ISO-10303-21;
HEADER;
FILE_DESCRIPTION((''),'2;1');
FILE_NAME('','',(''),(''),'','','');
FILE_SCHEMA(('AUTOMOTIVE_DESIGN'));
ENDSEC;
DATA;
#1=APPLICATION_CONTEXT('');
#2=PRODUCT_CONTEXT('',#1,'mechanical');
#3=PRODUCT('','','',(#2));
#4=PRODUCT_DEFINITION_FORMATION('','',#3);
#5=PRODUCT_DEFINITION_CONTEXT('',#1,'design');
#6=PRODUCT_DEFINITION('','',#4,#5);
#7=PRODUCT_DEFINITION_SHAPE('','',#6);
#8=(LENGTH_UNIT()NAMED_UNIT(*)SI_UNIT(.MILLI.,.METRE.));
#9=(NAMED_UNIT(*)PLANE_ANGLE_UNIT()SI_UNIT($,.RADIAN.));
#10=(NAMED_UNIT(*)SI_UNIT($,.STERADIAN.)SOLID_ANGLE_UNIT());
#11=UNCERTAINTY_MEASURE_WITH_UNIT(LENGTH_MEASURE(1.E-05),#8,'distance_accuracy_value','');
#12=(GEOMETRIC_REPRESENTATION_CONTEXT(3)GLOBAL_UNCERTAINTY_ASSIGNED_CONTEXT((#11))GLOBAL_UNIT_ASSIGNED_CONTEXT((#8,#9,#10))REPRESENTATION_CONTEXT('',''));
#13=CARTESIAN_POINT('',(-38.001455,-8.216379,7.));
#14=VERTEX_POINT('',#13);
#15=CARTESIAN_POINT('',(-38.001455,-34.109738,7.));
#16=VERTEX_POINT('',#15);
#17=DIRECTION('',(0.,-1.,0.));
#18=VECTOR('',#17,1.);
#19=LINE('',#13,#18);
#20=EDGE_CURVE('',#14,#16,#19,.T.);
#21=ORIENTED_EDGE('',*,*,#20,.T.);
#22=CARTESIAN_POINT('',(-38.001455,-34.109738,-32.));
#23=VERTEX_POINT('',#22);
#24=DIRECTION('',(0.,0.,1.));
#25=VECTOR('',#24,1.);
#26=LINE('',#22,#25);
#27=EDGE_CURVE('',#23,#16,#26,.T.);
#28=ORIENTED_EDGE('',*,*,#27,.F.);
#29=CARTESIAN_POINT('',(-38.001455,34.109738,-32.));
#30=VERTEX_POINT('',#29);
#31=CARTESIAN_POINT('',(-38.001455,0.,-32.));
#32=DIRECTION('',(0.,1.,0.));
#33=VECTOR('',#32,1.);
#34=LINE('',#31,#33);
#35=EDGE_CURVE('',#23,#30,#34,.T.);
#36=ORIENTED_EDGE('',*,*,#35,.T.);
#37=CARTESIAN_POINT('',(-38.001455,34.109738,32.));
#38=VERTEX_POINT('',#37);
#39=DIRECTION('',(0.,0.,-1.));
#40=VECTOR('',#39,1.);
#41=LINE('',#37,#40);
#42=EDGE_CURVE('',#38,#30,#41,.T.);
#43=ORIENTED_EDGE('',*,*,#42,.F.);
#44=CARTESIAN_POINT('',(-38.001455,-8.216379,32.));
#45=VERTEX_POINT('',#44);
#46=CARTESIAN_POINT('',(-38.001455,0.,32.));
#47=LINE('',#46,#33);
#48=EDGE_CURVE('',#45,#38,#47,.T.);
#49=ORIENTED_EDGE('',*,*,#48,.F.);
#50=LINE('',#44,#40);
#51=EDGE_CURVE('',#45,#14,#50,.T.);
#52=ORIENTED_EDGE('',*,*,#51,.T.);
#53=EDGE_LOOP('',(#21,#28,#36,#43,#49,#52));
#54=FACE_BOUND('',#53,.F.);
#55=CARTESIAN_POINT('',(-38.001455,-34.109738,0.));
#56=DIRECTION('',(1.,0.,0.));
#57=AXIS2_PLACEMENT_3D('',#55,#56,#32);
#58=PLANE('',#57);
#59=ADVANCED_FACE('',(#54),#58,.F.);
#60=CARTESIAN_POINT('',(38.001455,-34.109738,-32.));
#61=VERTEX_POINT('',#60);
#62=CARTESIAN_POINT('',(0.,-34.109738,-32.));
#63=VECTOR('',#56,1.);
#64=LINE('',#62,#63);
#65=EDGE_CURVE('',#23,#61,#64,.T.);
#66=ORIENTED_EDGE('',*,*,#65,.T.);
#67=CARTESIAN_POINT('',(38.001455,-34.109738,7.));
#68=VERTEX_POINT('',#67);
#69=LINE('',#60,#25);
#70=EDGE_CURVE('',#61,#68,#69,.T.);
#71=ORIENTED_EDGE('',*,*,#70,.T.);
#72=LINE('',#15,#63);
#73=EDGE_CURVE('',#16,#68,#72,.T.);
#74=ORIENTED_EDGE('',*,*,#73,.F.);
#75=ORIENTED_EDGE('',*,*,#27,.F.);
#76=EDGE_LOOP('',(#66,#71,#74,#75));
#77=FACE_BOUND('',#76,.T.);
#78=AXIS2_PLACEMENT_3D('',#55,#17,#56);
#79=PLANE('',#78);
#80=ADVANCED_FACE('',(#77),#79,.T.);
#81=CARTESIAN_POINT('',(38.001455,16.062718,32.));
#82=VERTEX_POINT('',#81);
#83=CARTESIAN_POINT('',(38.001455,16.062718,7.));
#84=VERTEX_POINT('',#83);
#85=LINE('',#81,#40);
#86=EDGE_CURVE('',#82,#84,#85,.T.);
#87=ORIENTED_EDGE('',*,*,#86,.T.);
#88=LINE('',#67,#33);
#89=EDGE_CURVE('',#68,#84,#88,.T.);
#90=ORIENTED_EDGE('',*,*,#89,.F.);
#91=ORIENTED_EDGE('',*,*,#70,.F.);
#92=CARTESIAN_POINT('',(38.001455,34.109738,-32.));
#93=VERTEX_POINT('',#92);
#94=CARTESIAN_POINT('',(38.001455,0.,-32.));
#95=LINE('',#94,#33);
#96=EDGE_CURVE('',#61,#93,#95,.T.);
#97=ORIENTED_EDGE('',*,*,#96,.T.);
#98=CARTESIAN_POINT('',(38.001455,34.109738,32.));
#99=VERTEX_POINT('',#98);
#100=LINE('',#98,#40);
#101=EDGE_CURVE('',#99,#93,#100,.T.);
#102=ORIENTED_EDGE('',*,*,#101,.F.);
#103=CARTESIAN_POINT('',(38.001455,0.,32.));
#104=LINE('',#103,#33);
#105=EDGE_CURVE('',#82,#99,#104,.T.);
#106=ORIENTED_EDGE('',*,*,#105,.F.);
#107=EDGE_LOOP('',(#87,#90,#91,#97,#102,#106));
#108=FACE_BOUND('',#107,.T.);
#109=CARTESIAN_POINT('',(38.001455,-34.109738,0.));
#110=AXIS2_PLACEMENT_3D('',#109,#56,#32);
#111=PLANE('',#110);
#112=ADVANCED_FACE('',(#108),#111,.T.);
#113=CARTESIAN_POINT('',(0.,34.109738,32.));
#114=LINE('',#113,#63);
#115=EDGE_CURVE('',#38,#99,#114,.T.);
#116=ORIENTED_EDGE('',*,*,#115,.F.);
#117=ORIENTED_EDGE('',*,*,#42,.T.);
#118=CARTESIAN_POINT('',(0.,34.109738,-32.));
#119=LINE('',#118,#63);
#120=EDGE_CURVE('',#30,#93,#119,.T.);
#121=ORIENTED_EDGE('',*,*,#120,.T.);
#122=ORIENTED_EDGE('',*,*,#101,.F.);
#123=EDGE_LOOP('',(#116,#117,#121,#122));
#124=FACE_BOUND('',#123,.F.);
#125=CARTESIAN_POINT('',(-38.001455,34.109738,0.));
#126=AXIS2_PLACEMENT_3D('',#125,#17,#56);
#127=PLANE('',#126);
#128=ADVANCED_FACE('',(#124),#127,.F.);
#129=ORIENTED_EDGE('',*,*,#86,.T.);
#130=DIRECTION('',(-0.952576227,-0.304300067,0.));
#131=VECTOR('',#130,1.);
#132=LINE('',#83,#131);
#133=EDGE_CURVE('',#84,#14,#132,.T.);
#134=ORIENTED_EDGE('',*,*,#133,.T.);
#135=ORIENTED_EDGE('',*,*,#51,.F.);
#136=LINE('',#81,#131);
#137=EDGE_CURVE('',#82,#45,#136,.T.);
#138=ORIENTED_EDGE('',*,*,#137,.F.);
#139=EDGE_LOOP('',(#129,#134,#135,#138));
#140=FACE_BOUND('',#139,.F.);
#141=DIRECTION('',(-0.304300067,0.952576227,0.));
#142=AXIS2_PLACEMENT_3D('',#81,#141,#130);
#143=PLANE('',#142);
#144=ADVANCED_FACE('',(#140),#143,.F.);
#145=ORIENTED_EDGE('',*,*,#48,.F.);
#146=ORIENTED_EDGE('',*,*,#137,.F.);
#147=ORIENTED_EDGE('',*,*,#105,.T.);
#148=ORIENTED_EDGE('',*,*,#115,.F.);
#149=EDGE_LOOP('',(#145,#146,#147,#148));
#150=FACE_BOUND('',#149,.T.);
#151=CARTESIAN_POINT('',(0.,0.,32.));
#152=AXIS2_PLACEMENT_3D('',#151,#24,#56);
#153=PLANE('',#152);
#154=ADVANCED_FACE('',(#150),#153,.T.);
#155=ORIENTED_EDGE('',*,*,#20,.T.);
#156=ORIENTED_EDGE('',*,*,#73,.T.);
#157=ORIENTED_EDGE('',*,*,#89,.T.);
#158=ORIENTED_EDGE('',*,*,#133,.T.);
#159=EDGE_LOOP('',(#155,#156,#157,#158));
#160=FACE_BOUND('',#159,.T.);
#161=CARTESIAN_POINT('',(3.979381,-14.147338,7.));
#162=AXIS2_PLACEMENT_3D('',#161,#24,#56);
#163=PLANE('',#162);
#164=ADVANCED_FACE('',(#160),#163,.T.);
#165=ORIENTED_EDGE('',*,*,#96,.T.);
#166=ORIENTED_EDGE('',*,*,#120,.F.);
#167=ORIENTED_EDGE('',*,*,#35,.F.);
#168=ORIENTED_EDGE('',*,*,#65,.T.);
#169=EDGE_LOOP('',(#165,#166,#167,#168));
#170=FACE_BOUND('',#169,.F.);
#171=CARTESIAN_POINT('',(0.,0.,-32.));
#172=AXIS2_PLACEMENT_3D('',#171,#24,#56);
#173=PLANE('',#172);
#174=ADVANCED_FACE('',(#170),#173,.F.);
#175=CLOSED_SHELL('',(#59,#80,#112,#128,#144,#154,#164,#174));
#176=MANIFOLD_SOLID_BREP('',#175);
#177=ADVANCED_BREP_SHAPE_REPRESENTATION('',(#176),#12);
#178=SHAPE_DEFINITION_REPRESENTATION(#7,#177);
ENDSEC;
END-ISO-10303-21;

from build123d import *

# Parameters (mm, degrees)
F0_W     = 76.00291
F0_H     = 68.219476
F1_DEPTH = 32
F3_DEPTH = 25


with BuildPart() as f1:
    # F0 (on Top) → F1 (new body, symmetric)
    with BuildSketch(Plane.XY):
        Rectangle(F0_W, F0_H)
    extrude(amount=F1_DEPTH, both=True)

    # F2 (on face) → F3 (cut)
    with BuildSketch(Plane.XY.offset(32)):
        Polygon((-38.001455, -34.109738), (38.001455, -34.109738), (38.001455, 16.062718), (-38.001455, -8.216379), align=None)
    extrude(amount=-F3_DEPTH, mode=Mode.SUBTRACT)


solid = f1.part
